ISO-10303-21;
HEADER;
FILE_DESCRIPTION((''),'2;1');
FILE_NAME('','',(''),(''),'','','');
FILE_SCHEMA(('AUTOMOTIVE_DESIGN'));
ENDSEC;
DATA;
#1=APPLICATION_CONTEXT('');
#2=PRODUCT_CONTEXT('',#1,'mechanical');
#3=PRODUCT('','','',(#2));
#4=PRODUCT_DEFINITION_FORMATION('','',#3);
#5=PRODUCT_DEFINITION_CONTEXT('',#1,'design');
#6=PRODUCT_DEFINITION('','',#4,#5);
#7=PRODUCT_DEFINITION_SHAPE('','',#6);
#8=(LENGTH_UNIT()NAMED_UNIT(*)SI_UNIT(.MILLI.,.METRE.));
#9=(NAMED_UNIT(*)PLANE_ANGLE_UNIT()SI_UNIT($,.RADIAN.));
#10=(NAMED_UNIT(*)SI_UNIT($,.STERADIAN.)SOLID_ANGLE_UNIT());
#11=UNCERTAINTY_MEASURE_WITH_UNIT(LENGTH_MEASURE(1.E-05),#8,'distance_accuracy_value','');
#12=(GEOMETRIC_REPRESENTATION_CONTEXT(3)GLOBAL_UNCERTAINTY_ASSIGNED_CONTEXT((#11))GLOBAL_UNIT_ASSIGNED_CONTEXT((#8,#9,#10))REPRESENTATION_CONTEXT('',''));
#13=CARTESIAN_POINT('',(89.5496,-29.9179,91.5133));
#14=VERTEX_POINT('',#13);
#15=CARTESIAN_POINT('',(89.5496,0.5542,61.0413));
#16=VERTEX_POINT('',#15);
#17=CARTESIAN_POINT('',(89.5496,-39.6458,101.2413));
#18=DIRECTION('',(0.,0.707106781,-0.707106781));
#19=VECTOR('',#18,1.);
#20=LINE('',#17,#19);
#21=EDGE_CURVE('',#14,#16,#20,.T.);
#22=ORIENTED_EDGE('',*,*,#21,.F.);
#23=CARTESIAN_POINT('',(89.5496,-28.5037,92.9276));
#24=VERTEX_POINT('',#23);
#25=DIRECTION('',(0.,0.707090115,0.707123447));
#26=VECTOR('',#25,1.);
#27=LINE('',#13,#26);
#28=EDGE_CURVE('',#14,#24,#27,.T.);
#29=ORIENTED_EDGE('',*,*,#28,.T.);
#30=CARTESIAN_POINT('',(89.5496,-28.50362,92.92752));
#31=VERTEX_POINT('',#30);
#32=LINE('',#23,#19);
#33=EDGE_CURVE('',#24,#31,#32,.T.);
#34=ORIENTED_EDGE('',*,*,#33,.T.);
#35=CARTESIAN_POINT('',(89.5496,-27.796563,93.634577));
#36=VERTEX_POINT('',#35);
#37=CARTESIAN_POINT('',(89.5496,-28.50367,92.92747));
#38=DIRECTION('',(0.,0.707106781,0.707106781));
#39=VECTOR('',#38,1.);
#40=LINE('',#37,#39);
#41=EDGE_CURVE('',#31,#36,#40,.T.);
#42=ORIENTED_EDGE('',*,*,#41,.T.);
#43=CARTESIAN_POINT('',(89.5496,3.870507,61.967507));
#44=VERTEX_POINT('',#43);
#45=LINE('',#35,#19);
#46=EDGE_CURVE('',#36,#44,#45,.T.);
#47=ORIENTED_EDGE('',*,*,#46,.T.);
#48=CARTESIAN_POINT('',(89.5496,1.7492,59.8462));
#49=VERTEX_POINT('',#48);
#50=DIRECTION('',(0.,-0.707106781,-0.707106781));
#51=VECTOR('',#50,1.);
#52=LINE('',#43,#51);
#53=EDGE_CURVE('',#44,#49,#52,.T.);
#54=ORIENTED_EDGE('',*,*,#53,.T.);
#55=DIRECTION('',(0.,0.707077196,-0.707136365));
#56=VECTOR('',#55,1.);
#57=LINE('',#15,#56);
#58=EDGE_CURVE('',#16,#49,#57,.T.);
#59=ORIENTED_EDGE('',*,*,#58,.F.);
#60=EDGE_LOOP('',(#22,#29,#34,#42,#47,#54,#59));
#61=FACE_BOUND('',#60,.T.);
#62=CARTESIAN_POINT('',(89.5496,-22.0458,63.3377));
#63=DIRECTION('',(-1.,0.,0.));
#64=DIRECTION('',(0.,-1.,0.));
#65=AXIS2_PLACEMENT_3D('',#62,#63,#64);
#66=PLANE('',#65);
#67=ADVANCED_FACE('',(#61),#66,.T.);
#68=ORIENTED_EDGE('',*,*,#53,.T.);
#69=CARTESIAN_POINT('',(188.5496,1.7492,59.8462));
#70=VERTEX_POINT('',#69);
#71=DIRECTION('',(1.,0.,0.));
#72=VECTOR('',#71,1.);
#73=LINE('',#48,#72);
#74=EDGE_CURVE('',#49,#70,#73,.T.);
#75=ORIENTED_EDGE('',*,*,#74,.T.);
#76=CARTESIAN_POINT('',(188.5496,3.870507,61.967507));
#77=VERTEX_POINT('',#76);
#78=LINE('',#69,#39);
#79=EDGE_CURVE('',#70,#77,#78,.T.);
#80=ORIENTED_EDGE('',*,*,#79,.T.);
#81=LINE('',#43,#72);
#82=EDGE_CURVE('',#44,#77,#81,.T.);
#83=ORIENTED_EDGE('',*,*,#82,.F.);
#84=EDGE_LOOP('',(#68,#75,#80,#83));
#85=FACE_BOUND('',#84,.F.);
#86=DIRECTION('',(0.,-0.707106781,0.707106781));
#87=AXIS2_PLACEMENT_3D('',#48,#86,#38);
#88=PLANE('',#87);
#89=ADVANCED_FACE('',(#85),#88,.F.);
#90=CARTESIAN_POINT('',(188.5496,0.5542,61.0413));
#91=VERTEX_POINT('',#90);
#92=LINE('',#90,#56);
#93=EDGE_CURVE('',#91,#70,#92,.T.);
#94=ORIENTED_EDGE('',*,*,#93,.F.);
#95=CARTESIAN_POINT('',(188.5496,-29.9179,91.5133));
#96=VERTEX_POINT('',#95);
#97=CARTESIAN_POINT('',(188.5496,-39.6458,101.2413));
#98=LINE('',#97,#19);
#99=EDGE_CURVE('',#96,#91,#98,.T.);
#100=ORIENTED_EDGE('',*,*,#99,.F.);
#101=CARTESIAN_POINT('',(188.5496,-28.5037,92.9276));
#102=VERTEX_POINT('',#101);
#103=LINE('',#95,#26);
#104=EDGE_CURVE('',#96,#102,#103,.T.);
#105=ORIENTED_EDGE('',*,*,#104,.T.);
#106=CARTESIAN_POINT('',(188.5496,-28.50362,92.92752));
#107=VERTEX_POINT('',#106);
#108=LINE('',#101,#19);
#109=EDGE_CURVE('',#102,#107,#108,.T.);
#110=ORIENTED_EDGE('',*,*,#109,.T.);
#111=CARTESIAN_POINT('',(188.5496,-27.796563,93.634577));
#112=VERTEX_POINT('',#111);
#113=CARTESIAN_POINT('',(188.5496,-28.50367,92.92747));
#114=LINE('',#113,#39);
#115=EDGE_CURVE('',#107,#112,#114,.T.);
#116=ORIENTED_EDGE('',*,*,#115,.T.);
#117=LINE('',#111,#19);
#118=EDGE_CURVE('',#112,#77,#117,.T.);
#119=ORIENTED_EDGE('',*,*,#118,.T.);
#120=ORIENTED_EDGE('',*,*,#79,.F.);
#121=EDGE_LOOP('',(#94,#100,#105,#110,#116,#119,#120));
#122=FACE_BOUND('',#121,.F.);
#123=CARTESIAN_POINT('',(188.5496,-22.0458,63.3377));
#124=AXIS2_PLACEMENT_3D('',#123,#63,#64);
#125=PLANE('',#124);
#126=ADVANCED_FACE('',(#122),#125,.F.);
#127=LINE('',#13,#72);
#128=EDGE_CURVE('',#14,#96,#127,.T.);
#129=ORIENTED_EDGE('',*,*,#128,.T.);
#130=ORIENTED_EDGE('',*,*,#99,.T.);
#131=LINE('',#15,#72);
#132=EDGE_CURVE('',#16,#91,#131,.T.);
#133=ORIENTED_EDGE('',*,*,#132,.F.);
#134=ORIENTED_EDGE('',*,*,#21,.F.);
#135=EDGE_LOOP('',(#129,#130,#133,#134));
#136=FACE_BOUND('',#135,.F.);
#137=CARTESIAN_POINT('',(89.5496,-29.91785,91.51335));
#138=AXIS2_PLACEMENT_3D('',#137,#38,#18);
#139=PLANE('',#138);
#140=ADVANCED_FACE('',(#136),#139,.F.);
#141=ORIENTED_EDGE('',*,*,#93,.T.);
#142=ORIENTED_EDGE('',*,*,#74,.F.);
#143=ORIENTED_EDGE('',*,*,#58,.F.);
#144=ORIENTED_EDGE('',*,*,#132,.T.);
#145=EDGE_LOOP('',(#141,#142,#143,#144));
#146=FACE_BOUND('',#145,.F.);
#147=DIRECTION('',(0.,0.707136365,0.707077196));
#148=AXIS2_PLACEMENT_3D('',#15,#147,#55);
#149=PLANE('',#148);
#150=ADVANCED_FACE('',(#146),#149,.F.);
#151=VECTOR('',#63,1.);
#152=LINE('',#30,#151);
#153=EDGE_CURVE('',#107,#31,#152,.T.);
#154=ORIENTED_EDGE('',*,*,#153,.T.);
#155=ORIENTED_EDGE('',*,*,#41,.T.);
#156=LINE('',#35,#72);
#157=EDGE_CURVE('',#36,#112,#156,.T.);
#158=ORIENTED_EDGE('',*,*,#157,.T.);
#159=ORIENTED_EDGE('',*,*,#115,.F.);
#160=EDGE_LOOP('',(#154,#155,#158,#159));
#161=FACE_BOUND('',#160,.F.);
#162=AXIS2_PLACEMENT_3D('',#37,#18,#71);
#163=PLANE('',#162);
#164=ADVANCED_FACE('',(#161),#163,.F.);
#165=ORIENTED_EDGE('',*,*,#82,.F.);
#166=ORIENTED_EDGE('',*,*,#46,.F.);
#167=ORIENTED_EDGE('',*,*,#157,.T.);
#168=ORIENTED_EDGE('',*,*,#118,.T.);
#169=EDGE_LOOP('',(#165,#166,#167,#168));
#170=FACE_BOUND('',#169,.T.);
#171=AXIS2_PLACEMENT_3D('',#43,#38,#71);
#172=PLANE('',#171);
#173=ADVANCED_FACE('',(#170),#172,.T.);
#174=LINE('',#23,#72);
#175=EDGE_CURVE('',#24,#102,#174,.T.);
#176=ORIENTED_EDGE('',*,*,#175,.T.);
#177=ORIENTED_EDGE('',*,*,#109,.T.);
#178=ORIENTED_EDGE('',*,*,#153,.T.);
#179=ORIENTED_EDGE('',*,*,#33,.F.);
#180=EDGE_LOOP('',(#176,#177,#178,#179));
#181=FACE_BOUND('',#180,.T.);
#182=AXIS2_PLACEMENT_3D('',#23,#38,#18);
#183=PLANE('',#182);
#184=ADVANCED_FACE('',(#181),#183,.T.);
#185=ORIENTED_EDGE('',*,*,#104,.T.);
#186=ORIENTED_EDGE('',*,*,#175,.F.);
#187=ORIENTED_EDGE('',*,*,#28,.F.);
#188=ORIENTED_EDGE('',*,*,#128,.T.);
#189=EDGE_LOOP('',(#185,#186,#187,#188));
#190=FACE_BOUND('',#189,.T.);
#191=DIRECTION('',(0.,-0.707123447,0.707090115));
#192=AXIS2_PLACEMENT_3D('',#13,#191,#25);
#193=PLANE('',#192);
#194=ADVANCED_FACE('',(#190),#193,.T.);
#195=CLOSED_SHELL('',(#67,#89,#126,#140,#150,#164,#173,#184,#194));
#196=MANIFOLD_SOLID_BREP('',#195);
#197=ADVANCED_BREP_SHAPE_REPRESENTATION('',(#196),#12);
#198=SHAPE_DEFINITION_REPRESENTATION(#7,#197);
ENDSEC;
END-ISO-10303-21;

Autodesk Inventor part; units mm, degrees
ref_plane "YZ Plane" through (0, 0, 0) normal (1, 0, 0) x (0, 1, 0)
ref_plane "XZ Plane" through (0, 0, 0) normal (0, 1, 0) x (-1, 0, 0)
ref_plane "Work Plane1" through (89.5496, -22.0458, 63.3377) normal (-1, 0, 0) x (0, -1, 0)
sketch "Sketch1" plane through (89.5496, -22.0458, 63.3377) normal (-1, 0, 0) x (0, -1, 0)
  line L0 (17.6, -19.3036) -> (17.6, 37.9036) projected
  line L1 (17.6, 37.9036) -> (-22.6, -2.2964) projected
  line L2 (-22.6, -2.2964) -> (-22.6, -53.1036) projected
  line L3 (-22.6, -53.1036) -> (-14.1, -53.1036) projected
  line L4 (-14.1, -53.1036) -> (-14.1, -37.9036) projected
  arc A0 (4.5, -19.3036) -> (-14.1, -37.9036) centre (4.5, -37.9036) ccw projected
  line L5 (4.5, -19.3036) -> (17.6, -19.3036) projected
  line L6 (20.6, 45.1462) -> (20.6, 40.9036) projected
  line L7 (5.7508, 30.297) -> (20.6, 45.1462) projected
  line L8 (7.8721, 28.1756) -> (5.7508, 30.297) projected
  line L9 (20.6, 40.9036) -> (7.8721, 28.1756) projected
  line L10 (7.8721, 28.1756) -> (6.4579, 29.5899)
  line L11 (6.4579, 29.5899) -> (-23.1664, -0.0344)
  line L12 (-22.6, -2.2964) -> (-23.795, -3.4915)
  line L13 (-23.795, -3.4915) -> (-26.5199, -0.7666)
  line L14 (-23.1664, -0.0344) -> (-26.5411, -3.4091)
  point P0 (-22.0458, -63.3377)
  point P1 (-25.2092, -2.0772)
  dimension "d0" = 2
ref_plane "Work Plane2" through (188.5496, -39.6458, 10.2341) normal (1, 0, 0) x (0, 1, 0)
extrude "Extrusion1" add sketch "Sketch1" against normal up to surface (99 mm away) contours L1 L12 L13 L14 L11 L8
sketch "Sketch2" plane through (89.5496, 3.1634, 61.2604) normal (0, 0.7071, 0.7071) x (1, 0, 0)
  line L0 (99, -44.784) -> (99, 0) projected
  line L1 (0, 0) -> (99, 0) projected
  line L2 (0, -44.784) -> (0, 0) projected
  line L3 (0, -44.784) -> (99, -44.784) projected
  point P0 (-89.5496, 41.0808)
extrude "Extrusion2" add sketch "Sketch2" along normal blind 1
properties part number "plugg"
